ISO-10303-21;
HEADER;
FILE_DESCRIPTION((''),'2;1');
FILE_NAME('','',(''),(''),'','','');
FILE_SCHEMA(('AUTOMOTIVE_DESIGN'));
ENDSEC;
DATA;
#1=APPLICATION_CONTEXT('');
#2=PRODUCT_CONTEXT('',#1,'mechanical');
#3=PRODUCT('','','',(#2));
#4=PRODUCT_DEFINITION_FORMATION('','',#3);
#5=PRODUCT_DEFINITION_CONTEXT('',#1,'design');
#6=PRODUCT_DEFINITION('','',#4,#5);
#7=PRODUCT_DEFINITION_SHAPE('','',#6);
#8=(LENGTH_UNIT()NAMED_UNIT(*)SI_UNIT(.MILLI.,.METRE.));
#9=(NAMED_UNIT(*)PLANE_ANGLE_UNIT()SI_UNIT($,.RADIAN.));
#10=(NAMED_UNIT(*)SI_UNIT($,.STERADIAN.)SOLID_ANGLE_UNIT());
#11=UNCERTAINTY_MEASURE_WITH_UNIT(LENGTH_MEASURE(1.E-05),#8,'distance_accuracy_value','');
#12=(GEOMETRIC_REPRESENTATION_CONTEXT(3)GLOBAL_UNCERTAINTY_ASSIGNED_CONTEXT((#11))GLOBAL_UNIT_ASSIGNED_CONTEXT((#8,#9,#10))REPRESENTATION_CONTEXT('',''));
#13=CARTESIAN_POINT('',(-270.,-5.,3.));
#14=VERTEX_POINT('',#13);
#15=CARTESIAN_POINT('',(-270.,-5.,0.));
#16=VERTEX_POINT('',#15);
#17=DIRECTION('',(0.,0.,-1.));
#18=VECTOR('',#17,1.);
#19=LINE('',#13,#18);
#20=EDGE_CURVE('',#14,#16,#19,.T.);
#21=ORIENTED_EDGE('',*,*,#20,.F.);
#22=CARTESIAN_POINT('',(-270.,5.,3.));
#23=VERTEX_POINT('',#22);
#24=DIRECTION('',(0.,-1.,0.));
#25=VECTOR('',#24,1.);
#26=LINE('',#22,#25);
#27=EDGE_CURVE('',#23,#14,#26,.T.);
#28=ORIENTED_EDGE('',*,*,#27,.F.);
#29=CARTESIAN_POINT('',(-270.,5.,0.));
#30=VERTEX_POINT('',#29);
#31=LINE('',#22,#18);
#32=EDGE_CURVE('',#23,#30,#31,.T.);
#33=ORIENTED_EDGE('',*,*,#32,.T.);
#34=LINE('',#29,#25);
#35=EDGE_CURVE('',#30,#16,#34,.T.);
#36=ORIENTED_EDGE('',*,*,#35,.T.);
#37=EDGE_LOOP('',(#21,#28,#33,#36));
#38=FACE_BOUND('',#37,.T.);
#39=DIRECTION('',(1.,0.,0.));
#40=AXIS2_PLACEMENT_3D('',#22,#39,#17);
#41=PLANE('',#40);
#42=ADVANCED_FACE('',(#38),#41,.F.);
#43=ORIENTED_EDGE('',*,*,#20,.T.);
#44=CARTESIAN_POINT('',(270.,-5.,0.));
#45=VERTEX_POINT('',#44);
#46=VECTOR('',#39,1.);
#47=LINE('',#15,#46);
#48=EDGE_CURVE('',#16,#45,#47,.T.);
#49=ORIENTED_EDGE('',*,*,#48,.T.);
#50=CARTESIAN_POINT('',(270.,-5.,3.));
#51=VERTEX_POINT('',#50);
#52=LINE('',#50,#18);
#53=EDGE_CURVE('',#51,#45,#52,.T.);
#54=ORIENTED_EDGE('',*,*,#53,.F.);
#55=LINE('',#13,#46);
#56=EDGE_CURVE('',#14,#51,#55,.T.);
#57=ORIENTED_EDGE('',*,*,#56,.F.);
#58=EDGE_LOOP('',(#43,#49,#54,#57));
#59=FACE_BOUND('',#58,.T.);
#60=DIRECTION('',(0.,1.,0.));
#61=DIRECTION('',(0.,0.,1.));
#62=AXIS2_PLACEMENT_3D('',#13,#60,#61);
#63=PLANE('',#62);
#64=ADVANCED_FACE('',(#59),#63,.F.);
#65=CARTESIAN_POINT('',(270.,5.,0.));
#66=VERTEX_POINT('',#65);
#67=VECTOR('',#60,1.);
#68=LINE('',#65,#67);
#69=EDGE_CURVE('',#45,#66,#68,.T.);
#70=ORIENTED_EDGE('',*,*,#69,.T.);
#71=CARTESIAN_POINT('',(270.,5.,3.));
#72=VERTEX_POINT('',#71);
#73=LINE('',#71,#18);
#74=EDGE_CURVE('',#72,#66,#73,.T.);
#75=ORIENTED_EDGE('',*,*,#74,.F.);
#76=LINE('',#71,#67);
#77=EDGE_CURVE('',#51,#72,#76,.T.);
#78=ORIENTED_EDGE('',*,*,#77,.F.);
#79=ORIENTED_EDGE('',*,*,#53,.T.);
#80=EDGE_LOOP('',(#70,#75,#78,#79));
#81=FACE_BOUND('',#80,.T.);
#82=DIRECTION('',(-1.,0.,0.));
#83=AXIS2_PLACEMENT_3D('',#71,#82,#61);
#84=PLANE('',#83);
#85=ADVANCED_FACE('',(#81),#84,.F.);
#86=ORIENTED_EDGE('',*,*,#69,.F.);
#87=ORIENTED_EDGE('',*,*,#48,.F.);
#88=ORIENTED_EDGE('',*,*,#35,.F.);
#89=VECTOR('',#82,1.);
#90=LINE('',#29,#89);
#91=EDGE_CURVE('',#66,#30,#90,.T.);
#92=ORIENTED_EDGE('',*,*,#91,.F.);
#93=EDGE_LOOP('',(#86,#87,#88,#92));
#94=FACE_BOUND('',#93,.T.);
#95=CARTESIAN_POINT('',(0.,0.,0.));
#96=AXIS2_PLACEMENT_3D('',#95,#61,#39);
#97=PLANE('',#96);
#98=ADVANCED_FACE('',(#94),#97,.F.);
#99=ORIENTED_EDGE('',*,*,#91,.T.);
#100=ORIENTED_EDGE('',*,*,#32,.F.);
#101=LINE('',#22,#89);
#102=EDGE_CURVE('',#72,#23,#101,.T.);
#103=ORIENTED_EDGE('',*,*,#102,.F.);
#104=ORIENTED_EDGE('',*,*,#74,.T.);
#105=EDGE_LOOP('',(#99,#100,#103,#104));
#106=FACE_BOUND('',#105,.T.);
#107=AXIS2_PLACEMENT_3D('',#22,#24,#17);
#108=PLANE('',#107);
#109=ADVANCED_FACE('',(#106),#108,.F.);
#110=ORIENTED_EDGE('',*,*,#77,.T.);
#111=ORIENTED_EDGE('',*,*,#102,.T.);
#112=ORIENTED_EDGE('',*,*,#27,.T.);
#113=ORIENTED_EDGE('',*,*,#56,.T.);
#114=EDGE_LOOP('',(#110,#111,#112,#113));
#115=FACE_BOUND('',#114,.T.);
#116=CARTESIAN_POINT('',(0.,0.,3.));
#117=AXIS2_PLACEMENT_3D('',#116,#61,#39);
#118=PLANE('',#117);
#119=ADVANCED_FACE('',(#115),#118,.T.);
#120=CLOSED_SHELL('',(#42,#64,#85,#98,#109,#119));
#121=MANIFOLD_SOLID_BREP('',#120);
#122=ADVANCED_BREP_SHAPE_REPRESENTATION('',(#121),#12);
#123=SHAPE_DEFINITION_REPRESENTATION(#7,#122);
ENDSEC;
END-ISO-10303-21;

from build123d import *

# Parameters (mm, degrees)
SKETCH1_W           = 540
SKETCH1_H           = 10
BOSS_EXTRUDE1_DEPTH = 3


with BuildPart() as part:
    # Sketch1 → Boss-Extrude1 (new body)
    with BuildSketch(Plane.XY):
        Rectangle(SKETCH1_W, SKETCH1_H)
    extrude(amount=BOSS_EXTRUDE1_DEPTH)


solid = part.part
